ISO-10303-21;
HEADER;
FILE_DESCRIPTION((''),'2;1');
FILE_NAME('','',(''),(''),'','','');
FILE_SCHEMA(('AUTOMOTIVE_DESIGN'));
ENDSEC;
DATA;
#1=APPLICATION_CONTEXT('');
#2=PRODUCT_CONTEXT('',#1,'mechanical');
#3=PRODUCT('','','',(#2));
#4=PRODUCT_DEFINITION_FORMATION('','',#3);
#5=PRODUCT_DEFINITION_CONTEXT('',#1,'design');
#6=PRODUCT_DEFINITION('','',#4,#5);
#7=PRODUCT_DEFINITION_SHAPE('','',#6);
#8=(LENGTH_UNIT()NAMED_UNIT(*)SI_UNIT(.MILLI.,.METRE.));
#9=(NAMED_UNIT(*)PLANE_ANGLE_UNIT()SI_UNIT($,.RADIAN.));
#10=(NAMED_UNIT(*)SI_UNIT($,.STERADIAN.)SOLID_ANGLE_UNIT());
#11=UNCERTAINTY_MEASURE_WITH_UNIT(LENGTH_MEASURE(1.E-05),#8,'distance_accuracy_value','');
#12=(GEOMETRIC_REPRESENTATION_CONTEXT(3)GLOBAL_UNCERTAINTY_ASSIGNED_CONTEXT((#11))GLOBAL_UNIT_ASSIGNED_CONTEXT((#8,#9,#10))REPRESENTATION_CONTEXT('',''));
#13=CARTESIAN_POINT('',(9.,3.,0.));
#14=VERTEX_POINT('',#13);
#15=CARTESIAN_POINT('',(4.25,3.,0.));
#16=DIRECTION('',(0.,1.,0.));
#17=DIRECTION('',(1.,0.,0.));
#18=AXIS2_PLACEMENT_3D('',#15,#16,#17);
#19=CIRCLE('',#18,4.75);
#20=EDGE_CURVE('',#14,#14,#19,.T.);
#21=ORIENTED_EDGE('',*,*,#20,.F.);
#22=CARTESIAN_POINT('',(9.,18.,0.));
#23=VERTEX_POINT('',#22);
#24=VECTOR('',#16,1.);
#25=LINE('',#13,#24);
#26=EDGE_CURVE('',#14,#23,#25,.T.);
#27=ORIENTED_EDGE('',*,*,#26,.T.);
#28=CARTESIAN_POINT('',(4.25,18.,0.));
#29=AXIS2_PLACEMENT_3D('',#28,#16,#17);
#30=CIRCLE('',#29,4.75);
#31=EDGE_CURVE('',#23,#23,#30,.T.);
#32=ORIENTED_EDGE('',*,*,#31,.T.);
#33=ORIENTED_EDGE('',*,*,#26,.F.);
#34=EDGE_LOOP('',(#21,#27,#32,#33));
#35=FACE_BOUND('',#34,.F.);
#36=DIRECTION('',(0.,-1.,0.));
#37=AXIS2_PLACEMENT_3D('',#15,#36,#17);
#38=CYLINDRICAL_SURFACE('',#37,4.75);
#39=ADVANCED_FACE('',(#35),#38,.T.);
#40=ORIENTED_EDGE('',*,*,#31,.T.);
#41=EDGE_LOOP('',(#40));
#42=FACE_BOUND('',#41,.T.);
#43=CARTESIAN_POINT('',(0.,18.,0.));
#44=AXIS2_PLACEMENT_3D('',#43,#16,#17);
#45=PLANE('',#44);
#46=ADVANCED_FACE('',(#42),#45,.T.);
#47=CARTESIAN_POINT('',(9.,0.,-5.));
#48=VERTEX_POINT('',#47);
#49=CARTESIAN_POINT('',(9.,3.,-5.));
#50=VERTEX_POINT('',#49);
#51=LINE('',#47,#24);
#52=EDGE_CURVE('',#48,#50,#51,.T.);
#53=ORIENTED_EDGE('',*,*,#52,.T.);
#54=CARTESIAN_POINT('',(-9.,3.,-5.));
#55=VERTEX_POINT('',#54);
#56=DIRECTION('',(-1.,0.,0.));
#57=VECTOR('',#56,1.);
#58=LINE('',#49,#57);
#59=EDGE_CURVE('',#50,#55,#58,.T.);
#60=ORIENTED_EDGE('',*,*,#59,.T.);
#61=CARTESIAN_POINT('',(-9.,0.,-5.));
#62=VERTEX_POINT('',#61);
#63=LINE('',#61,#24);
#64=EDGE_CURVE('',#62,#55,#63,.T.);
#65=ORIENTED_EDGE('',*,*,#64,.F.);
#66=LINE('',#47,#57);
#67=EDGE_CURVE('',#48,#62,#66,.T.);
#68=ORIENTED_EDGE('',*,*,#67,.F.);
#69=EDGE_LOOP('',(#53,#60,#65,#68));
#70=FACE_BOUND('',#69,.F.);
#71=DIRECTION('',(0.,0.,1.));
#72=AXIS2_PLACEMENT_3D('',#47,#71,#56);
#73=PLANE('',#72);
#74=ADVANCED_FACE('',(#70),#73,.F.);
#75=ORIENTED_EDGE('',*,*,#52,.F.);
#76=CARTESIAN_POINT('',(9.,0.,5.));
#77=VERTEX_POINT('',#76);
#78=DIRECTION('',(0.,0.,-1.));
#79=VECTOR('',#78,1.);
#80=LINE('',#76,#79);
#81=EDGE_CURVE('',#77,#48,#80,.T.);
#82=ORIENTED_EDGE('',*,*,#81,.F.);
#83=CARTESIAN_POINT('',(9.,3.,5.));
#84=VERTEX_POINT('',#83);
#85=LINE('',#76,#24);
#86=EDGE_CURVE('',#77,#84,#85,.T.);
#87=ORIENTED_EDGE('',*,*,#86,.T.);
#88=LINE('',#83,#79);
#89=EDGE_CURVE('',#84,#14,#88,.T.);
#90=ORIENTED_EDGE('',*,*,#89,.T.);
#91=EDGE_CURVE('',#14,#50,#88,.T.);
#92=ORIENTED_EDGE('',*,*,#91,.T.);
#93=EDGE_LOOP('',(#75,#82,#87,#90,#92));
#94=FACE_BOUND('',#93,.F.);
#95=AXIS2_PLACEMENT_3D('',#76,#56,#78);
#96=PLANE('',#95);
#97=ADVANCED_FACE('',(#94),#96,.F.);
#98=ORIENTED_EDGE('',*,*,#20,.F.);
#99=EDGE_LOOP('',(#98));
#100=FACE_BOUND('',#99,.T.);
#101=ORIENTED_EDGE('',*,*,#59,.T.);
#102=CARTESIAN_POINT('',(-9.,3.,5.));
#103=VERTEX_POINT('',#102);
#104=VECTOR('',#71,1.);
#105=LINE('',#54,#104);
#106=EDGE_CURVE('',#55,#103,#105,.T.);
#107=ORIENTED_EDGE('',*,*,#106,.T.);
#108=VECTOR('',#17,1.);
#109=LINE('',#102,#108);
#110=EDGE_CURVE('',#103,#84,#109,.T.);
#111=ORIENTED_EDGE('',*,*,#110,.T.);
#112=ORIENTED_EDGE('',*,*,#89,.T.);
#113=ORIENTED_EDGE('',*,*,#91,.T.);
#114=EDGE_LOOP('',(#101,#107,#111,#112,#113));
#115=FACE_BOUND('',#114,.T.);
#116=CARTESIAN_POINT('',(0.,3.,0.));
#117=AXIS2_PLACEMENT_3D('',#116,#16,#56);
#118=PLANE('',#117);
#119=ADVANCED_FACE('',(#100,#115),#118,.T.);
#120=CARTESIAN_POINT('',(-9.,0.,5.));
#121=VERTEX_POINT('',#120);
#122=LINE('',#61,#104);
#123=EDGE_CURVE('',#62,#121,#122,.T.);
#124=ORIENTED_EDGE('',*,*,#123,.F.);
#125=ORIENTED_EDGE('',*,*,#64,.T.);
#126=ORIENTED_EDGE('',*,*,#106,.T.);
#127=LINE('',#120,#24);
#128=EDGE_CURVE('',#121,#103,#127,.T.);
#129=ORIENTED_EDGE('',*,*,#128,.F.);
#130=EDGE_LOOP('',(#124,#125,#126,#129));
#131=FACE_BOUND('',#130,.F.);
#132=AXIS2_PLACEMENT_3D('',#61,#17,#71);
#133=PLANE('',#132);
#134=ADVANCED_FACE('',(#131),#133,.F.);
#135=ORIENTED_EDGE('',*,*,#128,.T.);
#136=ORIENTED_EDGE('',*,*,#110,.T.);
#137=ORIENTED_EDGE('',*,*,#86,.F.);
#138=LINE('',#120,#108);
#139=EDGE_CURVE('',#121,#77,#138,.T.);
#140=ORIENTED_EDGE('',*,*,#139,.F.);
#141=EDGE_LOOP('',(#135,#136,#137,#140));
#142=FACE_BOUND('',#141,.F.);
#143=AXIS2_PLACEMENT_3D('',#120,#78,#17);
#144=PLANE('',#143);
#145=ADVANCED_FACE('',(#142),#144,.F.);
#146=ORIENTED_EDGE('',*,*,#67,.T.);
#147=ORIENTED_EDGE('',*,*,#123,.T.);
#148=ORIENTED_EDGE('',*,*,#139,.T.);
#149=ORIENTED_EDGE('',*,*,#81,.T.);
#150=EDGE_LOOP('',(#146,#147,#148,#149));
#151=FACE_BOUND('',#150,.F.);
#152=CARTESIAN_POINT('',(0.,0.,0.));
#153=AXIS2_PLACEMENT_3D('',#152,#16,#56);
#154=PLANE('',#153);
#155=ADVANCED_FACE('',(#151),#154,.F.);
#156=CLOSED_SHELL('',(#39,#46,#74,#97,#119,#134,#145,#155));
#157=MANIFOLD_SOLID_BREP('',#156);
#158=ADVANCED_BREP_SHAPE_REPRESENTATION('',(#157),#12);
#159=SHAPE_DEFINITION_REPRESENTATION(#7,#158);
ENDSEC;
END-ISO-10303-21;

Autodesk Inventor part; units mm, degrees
ref_plane "YZ Plane" through (0, 0, 0) normal (1, 0, 0) x (0, 1, 0)
ref_plane "XZ Plane" through (0, 0, 0) normal (0, 1, 0) x (-1, 0, 0)
ref_plane "XY Plane" through (0, 0, 0) normal (0, 0, 1) x (1, 0, 0)
sketch "Sketch1" plane through (0, 0, 0) normal (0, 1, 0) x (-1, 0, 0)
  line L0 (9, 5) -> (-9, 5)
  line L1 (-9, 5) -> (-9, -5)
  line L2 (-9, -5) -> (9, -5)
  line L3 (9, -5) -> (9, 5)
  line L4 (9, 5) -> (-9, -5) construction
  line L5 (-9, 5) -> (9, -5) construction
  point P0 (0, 0)
  dimension "d0" = 18
  dimension "d1" = 10
extrude "Extrusion1" add sketch "Sketch1" along normal blind 3
sketch "Sketch2" plane through (0, 3, 0) normal (0, 1, 0) x (1, 0, 0)
  circle A0 centre (4.25, 0) radius 4.75
  line L0 (9, -5) -> (9, 5) projected
  point P0 (0, 0)
  dimension "d4" = 9.5
extrude "Extrusion2" add sketch "Sketch2" along normal blind 15
properties part number "Candado"
